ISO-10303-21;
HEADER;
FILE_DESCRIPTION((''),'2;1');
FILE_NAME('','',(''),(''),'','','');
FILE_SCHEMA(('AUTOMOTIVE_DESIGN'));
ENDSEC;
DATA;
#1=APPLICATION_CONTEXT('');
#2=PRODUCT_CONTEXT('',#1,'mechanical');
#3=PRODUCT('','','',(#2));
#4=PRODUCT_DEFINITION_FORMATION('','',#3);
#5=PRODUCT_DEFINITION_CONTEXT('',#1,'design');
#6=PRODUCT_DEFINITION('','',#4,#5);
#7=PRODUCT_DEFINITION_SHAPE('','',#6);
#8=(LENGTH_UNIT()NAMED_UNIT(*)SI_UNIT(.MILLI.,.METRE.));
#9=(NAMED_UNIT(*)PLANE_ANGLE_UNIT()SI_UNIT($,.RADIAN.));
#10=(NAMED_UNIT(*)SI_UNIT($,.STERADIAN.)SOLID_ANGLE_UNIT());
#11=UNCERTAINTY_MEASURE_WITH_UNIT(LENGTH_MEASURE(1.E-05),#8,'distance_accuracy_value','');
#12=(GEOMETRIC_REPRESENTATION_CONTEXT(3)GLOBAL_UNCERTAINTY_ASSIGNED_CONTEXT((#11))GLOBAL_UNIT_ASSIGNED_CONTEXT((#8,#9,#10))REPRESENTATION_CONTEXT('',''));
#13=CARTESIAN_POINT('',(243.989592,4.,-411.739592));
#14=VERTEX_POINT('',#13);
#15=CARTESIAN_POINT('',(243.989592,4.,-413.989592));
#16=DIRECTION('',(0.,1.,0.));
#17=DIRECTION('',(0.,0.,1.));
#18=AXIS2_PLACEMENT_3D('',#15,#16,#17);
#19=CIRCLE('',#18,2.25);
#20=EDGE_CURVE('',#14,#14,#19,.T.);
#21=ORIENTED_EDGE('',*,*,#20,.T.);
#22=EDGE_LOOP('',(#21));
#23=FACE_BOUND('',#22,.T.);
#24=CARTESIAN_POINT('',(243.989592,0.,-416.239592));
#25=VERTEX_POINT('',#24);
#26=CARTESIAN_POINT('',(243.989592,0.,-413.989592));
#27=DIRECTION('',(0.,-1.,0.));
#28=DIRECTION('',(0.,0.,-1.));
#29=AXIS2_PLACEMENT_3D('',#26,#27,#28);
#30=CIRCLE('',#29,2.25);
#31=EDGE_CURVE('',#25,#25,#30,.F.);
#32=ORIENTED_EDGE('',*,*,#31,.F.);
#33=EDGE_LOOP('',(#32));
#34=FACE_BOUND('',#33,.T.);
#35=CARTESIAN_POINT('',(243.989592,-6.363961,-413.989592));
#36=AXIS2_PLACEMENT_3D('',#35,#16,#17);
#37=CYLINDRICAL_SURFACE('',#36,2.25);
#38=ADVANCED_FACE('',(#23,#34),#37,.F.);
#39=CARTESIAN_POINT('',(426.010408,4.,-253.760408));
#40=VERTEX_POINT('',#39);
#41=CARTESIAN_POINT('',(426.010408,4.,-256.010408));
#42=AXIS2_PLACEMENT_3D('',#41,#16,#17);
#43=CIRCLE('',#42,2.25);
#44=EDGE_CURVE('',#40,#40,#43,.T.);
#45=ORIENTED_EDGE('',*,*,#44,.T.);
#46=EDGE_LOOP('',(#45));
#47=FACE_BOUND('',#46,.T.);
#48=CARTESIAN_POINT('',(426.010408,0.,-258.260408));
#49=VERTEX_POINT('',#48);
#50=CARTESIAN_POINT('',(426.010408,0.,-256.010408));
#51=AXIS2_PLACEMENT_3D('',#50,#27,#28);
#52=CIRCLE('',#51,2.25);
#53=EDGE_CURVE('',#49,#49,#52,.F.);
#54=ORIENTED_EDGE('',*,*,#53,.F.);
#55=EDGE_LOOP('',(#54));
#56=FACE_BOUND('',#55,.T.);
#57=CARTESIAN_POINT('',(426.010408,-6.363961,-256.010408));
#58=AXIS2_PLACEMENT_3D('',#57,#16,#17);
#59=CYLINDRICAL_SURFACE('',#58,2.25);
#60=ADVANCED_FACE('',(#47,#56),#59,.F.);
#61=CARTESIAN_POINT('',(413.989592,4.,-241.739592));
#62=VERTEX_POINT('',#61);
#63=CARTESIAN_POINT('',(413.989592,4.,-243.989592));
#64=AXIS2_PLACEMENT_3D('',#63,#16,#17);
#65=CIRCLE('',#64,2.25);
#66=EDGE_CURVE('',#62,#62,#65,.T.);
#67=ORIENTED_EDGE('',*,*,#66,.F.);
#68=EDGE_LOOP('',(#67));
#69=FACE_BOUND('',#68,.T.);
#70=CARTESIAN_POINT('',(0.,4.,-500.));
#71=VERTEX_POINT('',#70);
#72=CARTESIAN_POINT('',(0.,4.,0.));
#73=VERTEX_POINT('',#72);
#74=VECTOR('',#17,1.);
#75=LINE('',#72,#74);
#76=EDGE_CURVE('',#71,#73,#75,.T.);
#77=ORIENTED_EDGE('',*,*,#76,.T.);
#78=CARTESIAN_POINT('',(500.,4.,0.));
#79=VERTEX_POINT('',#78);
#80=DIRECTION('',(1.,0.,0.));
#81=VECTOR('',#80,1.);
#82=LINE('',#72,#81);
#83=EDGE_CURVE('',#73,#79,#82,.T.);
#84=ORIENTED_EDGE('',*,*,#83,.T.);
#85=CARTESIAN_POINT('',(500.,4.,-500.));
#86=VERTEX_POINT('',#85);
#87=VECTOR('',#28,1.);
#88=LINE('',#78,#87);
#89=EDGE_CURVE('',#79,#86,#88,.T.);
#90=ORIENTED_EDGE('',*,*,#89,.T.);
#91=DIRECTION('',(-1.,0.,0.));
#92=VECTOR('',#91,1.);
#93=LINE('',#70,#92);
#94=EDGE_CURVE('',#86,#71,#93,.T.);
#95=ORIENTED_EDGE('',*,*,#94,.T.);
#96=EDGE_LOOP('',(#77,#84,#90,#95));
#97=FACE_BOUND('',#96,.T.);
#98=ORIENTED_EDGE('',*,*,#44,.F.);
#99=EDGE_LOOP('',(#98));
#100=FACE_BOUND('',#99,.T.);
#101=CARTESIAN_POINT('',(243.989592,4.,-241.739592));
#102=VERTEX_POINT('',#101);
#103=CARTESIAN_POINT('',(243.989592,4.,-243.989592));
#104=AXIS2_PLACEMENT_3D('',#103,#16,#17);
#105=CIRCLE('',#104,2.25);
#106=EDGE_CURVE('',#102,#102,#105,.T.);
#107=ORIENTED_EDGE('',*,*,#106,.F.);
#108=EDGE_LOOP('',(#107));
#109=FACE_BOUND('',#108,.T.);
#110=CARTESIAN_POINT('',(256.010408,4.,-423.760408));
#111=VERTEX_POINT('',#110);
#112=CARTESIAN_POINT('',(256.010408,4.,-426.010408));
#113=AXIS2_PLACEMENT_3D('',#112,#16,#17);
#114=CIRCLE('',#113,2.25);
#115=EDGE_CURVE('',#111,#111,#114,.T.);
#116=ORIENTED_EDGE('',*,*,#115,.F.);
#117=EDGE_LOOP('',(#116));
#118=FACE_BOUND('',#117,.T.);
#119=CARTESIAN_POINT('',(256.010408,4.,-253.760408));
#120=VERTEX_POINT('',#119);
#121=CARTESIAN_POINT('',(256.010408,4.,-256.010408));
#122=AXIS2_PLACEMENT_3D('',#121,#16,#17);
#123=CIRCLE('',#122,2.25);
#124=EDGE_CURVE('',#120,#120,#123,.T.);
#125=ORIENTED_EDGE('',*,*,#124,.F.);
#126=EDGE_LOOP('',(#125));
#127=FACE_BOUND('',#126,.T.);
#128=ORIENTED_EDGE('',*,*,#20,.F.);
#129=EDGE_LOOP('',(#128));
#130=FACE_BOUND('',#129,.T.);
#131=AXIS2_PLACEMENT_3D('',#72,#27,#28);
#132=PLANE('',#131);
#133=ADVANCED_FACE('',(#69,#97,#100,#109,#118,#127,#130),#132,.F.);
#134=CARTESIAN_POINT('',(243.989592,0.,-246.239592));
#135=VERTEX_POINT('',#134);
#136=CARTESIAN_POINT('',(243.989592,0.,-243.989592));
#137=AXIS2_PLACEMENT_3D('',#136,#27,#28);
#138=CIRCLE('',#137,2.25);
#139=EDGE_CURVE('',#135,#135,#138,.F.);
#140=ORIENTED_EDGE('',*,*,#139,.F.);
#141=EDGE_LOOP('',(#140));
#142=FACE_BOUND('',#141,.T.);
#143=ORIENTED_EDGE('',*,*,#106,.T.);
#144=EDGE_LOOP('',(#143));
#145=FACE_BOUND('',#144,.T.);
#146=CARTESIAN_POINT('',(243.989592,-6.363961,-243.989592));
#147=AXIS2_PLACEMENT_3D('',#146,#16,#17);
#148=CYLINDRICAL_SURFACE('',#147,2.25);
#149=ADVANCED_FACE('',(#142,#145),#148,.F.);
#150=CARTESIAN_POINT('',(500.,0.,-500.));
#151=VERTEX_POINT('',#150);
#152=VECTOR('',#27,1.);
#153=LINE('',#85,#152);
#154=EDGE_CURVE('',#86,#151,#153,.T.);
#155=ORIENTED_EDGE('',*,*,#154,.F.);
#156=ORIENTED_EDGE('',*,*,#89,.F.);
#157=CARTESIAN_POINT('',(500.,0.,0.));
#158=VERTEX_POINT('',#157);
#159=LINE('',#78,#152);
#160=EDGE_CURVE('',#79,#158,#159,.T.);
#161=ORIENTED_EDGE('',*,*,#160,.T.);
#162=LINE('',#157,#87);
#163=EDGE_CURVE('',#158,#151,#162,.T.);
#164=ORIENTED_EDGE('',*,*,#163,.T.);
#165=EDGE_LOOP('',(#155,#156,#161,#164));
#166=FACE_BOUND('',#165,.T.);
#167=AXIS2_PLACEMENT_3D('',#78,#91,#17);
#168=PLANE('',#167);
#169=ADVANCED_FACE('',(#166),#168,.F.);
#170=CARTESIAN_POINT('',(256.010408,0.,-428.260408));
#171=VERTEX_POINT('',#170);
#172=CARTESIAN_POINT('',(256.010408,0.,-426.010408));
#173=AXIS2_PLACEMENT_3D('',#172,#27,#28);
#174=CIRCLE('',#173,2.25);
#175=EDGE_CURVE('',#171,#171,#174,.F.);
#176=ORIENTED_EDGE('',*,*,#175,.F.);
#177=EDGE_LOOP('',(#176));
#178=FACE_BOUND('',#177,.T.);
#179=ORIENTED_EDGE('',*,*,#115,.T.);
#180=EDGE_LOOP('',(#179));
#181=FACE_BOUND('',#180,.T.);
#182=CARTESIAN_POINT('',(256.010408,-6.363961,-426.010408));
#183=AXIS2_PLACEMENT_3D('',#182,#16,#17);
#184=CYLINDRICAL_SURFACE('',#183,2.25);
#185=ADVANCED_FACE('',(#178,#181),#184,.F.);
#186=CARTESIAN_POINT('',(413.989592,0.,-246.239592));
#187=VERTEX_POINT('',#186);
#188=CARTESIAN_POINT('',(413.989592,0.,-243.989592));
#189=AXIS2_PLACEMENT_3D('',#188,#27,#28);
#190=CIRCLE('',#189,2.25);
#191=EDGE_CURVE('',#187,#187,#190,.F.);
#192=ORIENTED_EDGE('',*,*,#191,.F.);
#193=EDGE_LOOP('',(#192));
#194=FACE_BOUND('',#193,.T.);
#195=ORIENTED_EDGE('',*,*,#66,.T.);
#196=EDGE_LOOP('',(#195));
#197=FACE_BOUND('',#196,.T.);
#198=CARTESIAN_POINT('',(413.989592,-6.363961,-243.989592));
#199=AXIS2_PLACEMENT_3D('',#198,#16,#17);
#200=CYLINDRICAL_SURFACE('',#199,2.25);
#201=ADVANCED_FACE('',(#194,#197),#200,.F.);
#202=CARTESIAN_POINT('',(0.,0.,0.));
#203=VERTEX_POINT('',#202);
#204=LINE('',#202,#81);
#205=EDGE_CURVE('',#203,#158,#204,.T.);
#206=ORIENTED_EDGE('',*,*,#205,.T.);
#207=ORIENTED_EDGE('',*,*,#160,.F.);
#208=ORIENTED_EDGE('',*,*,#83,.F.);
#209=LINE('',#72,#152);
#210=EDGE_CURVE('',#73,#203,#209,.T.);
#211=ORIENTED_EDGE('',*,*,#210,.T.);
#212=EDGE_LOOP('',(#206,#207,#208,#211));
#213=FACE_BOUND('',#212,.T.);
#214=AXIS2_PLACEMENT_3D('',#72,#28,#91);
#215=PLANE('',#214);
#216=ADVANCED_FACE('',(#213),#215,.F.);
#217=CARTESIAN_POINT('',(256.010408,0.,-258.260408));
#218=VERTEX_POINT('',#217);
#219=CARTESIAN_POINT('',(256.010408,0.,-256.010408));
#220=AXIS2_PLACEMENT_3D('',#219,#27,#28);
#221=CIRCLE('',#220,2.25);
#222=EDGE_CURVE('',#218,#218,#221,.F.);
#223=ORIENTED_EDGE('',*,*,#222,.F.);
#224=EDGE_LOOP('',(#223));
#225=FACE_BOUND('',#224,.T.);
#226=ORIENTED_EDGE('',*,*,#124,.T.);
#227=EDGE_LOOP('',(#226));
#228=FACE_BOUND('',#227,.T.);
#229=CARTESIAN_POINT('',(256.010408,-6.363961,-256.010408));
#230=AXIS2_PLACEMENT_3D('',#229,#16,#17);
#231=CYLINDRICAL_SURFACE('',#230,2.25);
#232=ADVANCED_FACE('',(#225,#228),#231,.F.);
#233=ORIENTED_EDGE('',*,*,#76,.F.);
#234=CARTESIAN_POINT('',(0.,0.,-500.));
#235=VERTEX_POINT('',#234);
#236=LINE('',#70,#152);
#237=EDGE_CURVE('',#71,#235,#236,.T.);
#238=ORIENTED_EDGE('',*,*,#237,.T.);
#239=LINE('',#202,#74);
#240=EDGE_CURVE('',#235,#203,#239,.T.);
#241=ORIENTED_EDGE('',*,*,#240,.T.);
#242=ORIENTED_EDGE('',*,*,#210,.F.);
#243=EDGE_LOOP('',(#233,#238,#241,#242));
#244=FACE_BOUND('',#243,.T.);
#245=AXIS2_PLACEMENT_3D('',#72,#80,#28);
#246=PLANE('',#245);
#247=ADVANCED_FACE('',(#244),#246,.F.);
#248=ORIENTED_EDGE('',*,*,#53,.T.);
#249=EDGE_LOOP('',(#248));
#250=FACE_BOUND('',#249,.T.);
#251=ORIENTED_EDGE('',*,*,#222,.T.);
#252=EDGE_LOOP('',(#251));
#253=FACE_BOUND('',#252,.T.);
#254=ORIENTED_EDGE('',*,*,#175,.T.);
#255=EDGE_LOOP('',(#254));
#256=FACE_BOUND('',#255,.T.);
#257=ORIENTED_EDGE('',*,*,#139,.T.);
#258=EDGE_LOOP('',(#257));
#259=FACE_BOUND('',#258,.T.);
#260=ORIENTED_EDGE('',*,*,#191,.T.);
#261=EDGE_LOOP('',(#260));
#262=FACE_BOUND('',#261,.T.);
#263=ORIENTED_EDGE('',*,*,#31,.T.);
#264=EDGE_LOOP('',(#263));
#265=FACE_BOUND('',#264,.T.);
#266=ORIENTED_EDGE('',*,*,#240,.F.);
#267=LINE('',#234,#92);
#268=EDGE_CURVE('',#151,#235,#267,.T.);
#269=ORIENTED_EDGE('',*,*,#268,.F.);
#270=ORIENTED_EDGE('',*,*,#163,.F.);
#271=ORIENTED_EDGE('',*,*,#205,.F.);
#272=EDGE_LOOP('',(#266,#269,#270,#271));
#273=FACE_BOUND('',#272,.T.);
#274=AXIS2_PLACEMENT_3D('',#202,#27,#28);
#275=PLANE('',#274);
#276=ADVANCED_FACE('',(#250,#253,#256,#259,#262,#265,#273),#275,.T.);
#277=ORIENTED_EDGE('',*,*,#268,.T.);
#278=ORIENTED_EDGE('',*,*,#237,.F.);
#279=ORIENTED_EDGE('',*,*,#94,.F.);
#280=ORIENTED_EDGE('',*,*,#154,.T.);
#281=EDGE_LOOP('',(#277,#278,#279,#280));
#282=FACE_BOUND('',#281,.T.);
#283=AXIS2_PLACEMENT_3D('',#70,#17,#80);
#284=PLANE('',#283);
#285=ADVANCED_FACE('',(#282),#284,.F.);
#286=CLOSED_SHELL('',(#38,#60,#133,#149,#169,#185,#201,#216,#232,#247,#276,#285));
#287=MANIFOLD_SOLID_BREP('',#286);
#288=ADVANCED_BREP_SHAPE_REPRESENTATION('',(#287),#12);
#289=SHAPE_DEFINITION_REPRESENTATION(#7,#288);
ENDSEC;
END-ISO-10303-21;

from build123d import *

# Parameters (mm, degrees)
ESBO_O1_W                = 500
ESBO_O1_H                = 500
RESSALTO_EXTRUS_O1_DEPTH = 4
ESBO_O3_R                = 2.25
CORTE_EXTRUS_O1_DEPTH    = 4


with BuildPart() as part:
    # Esboço1 → Ressalto-extrusão1 (new body)
    with BuildSketch(Plane(origin=(0, 0, 0), x_dir=(1, 0, 0), z_dir=(0, 1, 0))):
        with Locations((250, 250)):
            Rectangle(ESBO_O1_W, ESBO_O1_H)
    extrude(amount=RESSALTO_EXTRUS_O1_DEPTH)

    # Esboço3 → Corte-extrusão1 (cut)
    with BuildSketch(Plane(origin=(0, 4, 0), x_dir=(1, 0, 0), z_dir=(0, 1, 0))):
        with Locations(Location((256.01040764, 256.01040764, 0), (0, 0, 270))):
            Circle(ESBO_O3_R)
        with Locations(Location((243.98959236, 243.98959236, 0), (0, 0, 270))):
            Circle(ESBO_O3_R)
        with Locations(Location((426.01040764, 256.01040764, 0), (0, 0, 270))):
            Circle(ESBO_O3_R)
        with Locations(Location((413.98959236, 243.98959236, 0), (0, 0, 270))):
            Circle(ESBO_O3_R)
        with Locations(Location((243.98959236, 413.98959236, 0), (0, 0, 270))):
            Circle(ESBO_O3_R)
        with Locations(Location((256.01040764, 426.01040764, 0), (0, 0, 270))):
            Circle(ESBO_O3_R)
    extrude(amount=-CORTE_EXTRUS_O1_DEPTH, mode=Mode.SUBTRACT)


solid = part.part
